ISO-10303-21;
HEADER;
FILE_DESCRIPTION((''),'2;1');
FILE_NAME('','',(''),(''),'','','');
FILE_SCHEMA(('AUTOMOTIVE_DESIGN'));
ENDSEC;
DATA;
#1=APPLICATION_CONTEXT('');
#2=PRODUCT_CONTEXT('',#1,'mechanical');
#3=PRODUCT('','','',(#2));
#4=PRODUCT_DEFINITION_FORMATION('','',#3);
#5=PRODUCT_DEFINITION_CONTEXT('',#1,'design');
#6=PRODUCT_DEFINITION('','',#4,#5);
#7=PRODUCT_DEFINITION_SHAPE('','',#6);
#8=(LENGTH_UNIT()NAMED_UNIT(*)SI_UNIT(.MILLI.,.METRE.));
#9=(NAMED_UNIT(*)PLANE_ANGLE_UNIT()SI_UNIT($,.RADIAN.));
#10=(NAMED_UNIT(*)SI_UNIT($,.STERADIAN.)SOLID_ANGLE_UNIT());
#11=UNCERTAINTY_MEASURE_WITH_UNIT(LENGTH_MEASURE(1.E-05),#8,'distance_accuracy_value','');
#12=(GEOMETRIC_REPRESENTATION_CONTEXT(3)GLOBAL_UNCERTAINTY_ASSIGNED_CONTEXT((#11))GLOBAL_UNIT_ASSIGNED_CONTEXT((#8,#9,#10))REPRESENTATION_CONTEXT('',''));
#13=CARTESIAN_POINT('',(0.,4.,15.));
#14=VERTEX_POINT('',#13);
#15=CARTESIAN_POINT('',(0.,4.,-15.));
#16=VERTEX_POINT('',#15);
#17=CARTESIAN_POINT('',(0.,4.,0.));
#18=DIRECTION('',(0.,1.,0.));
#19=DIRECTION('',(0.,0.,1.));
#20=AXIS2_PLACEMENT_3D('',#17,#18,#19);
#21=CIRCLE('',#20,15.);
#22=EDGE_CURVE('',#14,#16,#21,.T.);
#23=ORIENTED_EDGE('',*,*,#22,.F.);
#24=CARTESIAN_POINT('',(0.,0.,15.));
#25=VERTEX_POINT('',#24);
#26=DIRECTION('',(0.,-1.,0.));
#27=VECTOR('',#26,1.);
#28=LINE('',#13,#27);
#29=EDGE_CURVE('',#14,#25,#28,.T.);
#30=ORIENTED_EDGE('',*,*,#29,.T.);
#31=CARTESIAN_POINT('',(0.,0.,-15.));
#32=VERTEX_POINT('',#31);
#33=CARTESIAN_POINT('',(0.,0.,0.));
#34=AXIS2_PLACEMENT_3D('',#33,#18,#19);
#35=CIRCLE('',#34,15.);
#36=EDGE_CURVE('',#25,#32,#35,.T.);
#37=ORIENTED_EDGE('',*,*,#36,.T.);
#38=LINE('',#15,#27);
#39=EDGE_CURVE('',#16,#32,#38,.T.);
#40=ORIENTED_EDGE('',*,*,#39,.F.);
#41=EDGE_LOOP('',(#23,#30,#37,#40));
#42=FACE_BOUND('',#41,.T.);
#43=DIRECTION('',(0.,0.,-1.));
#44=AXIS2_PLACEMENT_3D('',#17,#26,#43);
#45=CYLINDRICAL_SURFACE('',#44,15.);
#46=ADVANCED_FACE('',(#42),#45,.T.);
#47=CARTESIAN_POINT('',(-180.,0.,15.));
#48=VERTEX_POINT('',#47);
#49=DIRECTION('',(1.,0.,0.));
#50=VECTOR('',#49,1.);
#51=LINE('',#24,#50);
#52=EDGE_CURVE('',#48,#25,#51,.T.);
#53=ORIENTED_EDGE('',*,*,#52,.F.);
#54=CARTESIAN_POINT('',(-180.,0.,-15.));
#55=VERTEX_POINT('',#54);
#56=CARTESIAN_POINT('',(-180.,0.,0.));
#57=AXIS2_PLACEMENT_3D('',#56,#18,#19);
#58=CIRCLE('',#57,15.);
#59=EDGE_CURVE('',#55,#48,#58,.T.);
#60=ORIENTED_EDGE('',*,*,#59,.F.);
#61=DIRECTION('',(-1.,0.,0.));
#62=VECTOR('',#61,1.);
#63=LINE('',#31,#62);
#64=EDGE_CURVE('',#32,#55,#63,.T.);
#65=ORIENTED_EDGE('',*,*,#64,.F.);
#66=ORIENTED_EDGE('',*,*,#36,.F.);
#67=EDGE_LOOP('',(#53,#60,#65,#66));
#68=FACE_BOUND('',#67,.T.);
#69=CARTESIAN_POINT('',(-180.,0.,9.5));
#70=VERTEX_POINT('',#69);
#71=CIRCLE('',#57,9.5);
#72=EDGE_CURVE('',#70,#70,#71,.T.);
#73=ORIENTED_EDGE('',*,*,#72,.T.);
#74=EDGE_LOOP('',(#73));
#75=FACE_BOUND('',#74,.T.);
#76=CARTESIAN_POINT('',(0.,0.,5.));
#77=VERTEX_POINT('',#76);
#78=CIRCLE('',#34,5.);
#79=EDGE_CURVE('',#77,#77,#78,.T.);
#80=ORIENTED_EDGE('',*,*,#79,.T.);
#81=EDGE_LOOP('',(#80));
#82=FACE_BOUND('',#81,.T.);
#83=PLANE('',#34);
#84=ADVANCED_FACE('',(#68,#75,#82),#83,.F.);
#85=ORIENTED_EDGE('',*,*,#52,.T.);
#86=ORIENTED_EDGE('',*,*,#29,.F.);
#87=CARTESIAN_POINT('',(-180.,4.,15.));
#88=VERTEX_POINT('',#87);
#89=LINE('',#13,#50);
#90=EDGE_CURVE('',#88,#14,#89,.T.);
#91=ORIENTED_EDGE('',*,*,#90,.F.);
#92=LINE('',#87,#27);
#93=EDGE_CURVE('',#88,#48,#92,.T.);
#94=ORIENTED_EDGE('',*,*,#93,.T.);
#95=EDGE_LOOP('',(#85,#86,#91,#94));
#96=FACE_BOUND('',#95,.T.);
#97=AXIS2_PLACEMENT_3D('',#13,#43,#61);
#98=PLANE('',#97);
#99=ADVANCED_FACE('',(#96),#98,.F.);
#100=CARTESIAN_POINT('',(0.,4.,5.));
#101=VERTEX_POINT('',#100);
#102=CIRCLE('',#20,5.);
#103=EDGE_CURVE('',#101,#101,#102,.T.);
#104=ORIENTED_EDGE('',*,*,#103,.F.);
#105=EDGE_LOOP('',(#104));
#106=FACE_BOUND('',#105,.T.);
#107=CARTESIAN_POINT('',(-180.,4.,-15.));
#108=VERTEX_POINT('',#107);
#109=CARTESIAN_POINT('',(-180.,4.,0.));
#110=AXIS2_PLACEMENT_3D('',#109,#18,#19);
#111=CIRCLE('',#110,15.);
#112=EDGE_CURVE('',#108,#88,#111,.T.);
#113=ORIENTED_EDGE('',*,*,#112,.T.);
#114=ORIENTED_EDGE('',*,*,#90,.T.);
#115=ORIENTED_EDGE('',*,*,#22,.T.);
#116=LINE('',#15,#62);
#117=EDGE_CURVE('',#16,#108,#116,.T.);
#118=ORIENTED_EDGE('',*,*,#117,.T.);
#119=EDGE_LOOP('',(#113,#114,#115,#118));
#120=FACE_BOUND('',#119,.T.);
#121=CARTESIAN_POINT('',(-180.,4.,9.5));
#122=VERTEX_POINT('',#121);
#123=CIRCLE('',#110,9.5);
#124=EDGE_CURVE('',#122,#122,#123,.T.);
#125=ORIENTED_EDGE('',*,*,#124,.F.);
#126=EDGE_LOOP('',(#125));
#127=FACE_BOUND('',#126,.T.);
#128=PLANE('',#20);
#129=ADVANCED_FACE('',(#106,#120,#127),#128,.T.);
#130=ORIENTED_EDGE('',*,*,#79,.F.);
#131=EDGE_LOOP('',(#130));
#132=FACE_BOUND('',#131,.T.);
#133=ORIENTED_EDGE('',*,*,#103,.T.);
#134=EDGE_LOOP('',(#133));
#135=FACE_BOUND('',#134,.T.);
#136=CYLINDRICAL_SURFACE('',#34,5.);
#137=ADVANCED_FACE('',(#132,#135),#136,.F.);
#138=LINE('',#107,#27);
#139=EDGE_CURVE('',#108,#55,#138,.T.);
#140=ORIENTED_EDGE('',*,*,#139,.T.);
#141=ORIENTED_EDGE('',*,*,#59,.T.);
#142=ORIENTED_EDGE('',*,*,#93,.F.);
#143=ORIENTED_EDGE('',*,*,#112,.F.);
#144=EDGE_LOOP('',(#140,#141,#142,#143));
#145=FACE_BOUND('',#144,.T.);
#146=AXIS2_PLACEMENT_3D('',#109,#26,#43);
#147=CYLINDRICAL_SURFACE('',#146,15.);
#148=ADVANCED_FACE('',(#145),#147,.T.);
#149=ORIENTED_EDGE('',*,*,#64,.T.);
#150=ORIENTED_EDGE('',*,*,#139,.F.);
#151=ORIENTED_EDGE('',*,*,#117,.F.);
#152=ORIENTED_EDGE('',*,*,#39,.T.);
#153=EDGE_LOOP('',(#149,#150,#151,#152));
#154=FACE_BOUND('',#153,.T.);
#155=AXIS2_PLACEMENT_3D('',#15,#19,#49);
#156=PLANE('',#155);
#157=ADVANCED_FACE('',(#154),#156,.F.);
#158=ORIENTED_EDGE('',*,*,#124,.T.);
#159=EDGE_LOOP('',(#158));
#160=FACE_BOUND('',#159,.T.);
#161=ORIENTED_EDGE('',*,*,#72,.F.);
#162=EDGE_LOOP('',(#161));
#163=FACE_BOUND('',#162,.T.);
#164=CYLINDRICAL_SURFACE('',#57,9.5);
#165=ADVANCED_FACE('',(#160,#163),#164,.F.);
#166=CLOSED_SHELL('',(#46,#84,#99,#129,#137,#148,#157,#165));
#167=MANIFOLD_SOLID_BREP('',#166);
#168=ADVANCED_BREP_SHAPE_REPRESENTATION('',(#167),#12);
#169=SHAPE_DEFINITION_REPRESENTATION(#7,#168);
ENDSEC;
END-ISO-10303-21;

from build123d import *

# Parameters (mm, degrees)
EXTRUDE_1_DEPTH     = 4
SKETCH_2_R          = 5
SKETCH_2_R_2        = 9.5
CUT_EXTRUDE_1_DEPTH = 196.616972679


with BuildPart() as part:
    # 草图1 → 凸台-拉伸1 (new body)
    with BuildSketch(Plane(origin=(0, 0, 0), x_dir=(1, 0, 0), z_dir=(0, 1, 0))):
        with BuildLine():
            Line((0, -15), (-180, -15))
            ThreePointArc((-180, -15), (-195, 0), (-180, 15))
            Line((-180, 15), (0, 15))
            ThreePointArc((0, 15), (15, 0), (0, -15))
        make_face()
    extrude(amount=EXTRUDE_1_DEPTH)

    # 草图2 → 切除-拉伸1 (cut, through all)
    with BuildSketch(Plane(origin=(0, 4, 0), x_dir=(1, 0, 0), z_dir=(0, 1, 0))):
        with Locations(Location((0, 0, 0), (0, 0, 270))):
            Circle(SKETCH_2_R)
        with Locations(Location((-180, 0, 0), (0, 0, 270))):
            Circle(SKETCH_2_R_2)
    extrude(amount=-CUT_EXTRUDE_1_DEPTH, mode=Mode.SUBTRACT)


solid = part.part
